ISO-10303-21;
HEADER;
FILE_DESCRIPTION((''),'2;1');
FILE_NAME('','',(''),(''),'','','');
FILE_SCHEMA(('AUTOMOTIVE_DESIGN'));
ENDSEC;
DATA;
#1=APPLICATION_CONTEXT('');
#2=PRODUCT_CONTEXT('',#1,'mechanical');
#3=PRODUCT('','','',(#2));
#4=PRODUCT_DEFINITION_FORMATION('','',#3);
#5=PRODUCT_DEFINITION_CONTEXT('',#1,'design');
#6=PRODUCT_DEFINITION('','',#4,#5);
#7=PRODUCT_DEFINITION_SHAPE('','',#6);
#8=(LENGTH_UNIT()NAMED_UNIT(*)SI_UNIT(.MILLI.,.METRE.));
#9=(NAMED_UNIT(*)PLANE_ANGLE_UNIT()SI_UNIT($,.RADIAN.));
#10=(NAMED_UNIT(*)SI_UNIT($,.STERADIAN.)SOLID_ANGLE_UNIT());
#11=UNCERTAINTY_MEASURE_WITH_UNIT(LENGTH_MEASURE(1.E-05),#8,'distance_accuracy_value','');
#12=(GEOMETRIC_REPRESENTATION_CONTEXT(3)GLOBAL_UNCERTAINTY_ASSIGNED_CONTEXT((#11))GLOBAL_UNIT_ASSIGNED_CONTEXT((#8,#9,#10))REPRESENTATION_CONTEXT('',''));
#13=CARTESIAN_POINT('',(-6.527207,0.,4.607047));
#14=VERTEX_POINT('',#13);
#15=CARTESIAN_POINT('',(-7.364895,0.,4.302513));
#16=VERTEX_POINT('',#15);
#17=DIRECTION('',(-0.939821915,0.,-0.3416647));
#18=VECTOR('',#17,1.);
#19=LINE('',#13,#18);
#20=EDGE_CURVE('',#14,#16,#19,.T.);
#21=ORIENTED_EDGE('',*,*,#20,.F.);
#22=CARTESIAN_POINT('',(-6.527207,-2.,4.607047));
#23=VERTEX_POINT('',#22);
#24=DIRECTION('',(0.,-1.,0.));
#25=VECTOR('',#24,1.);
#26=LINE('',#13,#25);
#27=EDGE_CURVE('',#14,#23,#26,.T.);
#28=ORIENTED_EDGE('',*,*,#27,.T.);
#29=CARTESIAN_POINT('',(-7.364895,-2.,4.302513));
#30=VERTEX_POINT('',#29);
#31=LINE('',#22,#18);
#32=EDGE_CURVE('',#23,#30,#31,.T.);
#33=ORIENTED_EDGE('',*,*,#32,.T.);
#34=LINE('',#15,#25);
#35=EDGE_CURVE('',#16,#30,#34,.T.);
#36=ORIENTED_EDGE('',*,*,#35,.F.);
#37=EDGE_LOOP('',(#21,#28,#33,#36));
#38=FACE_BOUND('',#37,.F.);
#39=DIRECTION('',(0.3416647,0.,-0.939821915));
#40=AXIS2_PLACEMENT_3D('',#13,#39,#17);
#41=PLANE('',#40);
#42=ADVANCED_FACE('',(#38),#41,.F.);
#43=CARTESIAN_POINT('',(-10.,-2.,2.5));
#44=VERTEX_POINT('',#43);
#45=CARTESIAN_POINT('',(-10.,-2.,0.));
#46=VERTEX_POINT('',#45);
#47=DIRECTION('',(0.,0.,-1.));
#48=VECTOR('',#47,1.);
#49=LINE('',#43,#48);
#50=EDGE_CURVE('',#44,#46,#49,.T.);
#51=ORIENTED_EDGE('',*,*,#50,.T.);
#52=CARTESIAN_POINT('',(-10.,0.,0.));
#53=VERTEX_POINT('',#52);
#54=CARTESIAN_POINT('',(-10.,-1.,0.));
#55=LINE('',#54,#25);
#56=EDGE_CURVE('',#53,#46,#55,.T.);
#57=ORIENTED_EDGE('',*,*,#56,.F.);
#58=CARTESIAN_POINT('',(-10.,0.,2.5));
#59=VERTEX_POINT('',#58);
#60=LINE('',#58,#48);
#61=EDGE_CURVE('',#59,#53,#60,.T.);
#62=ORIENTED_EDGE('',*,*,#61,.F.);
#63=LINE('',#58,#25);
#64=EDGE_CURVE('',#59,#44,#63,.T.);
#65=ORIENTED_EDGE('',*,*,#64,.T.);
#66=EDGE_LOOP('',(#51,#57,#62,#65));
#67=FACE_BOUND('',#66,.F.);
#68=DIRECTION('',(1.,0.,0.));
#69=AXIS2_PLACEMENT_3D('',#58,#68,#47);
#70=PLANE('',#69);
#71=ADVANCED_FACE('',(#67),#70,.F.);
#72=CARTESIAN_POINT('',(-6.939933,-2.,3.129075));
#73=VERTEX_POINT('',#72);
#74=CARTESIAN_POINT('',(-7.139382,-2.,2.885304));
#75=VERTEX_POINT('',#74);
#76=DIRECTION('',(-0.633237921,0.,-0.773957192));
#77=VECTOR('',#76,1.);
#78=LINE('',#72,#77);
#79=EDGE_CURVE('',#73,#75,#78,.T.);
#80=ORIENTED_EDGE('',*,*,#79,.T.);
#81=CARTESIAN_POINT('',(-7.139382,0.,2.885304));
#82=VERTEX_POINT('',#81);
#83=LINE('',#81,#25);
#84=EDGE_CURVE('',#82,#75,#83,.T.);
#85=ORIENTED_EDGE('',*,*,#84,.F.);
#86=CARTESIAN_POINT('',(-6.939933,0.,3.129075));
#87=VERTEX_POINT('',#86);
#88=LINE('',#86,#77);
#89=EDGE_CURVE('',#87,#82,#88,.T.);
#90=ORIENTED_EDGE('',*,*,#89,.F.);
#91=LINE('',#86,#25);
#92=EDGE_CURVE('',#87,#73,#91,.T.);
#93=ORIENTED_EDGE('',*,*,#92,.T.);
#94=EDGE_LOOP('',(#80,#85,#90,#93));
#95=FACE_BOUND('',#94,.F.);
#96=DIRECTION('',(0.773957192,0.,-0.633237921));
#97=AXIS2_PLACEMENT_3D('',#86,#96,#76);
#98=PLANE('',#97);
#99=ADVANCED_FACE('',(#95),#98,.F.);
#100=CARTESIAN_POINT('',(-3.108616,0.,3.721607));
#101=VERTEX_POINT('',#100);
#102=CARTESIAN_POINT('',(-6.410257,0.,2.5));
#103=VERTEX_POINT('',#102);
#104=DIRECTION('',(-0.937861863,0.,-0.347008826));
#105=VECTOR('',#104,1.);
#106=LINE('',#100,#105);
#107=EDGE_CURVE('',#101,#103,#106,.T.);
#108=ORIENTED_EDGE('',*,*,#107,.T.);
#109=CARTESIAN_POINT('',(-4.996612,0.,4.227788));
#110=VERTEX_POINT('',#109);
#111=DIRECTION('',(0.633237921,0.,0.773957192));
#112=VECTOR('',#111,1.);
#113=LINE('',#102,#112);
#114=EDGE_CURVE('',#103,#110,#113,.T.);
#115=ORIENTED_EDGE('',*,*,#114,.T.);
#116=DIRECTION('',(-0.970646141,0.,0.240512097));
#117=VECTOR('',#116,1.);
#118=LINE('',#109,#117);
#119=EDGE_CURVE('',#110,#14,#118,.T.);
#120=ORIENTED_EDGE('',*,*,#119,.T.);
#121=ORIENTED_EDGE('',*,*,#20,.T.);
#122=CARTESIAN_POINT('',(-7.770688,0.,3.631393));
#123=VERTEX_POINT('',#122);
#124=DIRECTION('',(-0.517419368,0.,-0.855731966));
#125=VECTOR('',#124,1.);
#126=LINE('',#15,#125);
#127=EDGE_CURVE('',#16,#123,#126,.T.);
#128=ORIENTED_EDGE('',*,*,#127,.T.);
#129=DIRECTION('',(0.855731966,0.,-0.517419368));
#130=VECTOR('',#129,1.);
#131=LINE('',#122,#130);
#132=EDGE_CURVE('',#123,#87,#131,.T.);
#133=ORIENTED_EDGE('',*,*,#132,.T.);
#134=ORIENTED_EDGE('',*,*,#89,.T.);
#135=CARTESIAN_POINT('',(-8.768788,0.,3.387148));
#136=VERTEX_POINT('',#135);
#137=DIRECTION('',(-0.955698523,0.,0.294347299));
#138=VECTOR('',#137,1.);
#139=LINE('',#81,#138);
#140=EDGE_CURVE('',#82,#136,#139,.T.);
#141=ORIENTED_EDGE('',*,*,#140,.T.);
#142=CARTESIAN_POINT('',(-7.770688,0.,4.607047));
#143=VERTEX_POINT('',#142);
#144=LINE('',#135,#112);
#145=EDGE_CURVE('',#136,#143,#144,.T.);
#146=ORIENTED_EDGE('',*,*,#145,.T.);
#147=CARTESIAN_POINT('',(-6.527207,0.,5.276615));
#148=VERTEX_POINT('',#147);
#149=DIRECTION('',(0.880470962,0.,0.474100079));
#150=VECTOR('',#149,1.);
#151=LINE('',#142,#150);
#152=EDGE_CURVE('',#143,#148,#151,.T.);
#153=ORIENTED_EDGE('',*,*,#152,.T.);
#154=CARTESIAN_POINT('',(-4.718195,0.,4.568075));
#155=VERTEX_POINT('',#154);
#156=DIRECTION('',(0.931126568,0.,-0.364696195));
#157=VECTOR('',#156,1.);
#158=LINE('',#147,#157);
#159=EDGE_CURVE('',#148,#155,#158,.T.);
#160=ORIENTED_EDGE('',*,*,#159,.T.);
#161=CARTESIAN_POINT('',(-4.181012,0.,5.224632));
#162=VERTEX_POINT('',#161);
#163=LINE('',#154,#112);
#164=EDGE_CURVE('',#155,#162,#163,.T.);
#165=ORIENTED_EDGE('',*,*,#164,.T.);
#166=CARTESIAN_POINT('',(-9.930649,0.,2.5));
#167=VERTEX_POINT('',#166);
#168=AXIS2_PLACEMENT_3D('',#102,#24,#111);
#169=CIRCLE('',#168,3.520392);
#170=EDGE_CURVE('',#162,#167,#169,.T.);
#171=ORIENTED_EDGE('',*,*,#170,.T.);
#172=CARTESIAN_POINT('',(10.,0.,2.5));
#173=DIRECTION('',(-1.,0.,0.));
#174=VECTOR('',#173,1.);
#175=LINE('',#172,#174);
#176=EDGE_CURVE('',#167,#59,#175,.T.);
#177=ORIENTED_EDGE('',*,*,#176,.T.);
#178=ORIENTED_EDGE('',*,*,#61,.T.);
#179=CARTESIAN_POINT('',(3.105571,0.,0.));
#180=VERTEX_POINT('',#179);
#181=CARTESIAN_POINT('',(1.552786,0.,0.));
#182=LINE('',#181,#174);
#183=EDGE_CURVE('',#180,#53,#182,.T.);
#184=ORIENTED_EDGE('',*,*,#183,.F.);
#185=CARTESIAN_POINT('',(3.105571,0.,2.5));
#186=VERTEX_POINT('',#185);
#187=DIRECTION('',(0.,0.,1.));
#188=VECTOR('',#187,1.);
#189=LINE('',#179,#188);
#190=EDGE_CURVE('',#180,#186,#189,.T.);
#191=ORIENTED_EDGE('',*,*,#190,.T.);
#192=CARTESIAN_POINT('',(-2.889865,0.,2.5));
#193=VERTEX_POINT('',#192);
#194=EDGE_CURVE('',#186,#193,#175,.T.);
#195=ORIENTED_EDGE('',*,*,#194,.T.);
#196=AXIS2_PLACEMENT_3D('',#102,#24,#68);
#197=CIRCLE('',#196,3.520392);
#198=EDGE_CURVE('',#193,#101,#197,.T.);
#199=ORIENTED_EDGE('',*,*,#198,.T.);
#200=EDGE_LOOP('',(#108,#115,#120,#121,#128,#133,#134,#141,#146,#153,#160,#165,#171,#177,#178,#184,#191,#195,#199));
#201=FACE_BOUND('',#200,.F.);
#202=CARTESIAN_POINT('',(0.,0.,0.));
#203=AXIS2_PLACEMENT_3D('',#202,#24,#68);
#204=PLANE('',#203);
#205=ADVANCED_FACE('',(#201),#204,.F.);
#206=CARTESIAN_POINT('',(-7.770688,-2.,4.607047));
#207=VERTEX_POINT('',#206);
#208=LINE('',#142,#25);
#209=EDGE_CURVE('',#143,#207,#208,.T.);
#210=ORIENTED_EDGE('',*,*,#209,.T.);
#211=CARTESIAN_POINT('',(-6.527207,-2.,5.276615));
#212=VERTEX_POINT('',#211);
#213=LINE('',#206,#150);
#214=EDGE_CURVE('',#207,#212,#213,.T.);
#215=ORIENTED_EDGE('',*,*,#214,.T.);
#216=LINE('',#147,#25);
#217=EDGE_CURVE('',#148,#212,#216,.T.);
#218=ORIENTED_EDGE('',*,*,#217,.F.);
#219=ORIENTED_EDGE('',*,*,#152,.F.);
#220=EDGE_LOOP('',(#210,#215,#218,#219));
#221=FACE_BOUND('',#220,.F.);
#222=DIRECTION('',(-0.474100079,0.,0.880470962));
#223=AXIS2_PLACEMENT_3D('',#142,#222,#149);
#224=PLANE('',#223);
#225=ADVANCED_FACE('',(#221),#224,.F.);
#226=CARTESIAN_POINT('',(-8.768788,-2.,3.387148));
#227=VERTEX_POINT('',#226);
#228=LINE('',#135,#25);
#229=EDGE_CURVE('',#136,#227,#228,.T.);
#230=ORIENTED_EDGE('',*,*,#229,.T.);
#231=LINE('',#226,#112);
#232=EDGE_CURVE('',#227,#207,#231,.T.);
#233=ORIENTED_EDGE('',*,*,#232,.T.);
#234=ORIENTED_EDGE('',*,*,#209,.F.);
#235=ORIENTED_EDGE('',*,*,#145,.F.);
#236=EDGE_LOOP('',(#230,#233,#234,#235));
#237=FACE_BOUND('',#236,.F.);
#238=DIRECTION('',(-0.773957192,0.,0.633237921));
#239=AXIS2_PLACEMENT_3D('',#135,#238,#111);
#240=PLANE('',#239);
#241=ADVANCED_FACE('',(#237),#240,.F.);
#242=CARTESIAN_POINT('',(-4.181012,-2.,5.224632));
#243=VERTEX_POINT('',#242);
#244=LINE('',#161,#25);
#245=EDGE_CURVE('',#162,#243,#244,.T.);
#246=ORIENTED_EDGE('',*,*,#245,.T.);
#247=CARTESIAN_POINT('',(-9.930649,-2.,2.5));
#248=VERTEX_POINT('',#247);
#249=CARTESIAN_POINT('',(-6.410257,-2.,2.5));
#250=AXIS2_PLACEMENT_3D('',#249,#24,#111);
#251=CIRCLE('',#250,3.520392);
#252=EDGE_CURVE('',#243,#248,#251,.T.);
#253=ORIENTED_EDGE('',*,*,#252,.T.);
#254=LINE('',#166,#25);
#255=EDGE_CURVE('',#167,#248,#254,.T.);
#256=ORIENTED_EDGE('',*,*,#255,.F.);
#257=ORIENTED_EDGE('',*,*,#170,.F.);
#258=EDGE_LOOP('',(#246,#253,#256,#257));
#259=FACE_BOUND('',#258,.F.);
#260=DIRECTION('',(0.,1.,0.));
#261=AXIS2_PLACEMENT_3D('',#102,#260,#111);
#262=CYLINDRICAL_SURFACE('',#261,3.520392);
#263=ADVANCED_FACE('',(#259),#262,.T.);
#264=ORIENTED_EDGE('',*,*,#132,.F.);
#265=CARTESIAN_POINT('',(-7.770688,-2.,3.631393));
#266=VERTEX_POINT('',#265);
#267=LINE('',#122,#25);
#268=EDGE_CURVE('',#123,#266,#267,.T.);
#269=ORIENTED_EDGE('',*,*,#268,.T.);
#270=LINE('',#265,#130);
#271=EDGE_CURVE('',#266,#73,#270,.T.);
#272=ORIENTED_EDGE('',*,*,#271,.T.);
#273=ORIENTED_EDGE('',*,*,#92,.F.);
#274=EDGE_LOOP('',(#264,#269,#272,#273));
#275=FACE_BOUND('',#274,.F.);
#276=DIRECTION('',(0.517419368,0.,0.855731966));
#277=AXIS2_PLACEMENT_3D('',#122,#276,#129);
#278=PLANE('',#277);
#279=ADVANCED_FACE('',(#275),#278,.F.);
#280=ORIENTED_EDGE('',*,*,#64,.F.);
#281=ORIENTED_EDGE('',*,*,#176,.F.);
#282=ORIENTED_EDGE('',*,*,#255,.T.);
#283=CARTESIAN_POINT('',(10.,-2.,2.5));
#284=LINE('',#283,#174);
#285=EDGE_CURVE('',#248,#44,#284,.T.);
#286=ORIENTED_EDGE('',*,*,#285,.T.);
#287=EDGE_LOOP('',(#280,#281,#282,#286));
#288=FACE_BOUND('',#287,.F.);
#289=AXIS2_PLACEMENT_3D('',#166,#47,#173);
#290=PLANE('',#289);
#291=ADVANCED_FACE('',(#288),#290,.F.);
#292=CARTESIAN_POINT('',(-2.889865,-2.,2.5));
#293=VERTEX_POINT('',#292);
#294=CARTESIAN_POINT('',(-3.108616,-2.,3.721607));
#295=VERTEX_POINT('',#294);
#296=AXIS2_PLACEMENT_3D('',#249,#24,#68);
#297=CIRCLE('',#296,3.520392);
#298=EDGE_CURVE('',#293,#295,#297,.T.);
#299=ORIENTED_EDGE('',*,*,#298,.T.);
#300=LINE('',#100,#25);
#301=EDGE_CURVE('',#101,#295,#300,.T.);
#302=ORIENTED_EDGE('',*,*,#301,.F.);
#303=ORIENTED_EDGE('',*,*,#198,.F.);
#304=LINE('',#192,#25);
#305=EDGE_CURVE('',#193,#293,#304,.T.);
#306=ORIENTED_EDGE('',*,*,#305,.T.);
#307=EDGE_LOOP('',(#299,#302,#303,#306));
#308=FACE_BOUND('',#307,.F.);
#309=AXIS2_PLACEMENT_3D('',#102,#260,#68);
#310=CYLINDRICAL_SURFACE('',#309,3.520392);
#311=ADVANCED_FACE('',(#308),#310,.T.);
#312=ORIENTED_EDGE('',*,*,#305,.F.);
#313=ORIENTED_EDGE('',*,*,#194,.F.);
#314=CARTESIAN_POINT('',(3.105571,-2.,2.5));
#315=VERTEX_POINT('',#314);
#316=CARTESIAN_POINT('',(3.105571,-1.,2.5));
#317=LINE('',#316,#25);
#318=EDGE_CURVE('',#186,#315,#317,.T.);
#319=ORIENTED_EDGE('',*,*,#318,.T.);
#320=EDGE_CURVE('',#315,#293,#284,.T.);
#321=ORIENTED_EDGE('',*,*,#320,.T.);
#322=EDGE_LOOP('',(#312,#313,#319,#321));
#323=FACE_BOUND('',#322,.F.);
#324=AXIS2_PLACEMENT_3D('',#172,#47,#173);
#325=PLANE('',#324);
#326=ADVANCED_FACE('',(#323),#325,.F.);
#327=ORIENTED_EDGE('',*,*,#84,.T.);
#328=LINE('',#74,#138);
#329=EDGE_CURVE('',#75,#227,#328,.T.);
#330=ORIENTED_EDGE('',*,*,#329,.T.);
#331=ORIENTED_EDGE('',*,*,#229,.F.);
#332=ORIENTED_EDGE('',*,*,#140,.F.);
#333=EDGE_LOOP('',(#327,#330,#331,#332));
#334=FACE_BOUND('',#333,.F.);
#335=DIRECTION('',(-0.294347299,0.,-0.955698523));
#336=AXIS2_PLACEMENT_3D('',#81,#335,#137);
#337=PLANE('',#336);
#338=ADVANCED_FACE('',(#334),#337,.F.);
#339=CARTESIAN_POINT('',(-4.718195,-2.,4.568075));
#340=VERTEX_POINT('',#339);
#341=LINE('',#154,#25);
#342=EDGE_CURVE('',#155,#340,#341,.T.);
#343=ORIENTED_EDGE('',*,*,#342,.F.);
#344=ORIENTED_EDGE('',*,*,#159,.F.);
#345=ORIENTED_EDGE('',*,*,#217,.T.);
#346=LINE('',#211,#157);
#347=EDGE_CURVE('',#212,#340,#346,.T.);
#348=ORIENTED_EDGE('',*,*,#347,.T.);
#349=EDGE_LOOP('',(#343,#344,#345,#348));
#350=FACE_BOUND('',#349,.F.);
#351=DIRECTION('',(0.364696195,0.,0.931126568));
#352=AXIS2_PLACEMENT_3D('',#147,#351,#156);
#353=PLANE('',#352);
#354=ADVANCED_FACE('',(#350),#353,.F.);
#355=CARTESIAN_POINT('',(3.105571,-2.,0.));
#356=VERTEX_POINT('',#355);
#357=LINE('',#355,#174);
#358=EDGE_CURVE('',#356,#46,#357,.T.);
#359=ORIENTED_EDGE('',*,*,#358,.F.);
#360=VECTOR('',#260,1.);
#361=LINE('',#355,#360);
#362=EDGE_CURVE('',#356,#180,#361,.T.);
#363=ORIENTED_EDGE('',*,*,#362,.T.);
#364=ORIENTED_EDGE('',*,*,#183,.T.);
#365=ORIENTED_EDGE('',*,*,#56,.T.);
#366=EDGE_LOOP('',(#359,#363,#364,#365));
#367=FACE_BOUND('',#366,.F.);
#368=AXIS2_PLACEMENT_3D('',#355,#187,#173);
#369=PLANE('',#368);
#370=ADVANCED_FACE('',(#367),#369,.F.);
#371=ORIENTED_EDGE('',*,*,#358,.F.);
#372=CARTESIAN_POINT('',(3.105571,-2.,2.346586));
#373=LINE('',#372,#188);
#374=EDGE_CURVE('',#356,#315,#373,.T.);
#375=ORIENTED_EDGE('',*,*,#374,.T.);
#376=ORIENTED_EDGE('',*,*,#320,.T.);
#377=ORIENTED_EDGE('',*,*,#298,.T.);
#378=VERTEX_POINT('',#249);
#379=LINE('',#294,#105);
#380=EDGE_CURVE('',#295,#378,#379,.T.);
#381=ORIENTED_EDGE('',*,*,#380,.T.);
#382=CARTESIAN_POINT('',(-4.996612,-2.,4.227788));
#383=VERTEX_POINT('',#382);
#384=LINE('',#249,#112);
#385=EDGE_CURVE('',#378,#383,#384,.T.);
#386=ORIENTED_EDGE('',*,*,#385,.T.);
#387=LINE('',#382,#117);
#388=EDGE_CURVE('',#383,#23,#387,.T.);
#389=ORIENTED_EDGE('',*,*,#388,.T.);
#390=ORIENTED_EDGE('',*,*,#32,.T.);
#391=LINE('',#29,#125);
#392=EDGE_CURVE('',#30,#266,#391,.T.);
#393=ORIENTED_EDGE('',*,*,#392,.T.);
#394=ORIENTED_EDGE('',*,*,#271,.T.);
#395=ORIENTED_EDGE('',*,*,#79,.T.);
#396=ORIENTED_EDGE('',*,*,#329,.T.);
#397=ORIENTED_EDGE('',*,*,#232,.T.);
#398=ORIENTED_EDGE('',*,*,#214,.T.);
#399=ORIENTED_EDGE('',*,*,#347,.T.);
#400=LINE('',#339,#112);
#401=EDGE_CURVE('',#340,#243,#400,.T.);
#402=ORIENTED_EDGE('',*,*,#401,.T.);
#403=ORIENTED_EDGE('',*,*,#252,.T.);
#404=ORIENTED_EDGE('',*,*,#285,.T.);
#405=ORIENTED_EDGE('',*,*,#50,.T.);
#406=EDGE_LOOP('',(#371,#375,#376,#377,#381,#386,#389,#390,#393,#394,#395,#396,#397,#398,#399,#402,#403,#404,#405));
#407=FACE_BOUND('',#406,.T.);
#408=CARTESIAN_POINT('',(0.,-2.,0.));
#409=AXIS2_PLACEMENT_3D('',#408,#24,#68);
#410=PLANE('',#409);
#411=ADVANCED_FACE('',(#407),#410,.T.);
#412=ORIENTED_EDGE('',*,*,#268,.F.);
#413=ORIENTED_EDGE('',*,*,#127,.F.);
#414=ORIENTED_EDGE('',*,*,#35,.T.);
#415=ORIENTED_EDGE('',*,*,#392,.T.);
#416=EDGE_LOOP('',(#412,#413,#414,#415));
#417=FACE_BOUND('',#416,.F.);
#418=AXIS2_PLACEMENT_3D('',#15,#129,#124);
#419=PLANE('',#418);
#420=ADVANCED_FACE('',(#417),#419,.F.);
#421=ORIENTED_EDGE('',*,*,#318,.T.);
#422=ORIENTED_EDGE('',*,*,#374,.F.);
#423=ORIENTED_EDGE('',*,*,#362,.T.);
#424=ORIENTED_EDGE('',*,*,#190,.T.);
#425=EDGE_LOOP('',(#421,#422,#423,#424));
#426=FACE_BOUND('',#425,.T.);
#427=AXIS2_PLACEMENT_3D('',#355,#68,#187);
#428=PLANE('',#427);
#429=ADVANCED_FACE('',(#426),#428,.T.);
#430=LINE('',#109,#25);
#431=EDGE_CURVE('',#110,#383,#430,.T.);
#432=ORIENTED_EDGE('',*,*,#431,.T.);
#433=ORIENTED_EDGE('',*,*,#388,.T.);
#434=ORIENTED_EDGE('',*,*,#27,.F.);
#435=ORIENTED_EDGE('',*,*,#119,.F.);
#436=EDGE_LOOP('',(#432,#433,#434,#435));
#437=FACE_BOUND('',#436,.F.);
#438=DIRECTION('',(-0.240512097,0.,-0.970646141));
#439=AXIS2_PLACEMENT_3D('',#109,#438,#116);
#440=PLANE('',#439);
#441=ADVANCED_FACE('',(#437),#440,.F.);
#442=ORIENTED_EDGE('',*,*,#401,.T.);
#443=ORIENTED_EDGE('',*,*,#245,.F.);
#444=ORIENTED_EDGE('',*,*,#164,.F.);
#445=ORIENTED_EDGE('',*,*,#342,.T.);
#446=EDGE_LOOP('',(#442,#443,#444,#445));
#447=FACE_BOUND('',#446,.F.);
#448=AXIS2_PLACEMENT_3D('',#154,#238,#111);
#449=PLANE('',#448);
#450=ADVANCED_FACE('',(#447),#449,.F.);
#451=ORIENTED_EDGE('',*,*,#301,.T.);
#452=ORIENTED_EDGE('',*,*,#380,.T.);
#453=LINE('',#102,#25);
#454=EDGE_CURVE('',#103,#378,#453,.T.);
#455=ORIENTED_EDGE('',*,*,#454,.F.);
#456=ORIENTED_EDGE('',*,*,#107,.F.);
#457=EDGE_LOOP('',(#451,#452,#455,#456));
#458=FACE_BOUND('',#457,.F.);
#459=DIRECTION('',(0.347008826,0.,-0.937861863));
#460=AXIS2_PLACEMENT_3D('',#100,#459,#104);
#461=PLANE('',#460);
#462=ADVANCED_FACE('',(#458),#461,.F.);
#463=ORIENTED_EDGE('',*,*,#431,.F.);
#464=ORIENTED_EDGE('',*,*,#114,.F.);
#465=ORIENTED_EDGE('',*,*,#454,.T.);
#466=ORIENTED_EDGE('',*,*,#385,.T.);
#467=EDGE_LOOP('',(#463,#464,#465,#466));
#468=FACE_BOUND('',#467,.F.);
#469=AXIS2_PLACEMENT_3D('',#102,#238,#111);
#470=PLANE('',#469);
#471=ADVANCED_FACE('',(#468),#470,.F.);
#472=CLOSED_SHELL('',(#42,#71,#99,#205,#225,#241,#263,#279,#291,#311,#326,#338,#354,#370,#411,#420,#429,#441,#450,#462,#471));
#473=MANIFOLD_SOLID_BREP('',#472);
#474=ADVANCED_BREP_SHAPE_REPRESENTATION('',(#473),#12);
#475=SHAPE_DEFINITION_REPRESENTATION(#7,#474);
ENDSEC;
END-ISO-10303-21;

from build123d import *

# Parameters (mm, degrees)
F1_DEPTH = 2
F2_W     = 8.5403220728
F2_H     = 4.6931710094
F2_W_2   = 0.6901277229
F2_H_2   = 1.2939884327
F2_W_3   = 6.8944285065
F2_H_3   = 1.7584205465
F3_DEPTH = 25


with BuildPart() as f1:
    # F0 (on Front) → F1 (new body)
    with BuildSketch(Plane.XZ):
        Polygon((-9.930648845, 2.5), (-10, 2.5), (-10, -2.5), (10, -2.5), (10, 2.5), (-2.8898654856, 2.5), (-6.4102571653, 2.5), align=None)
        with BuildLine():
            ThreePointArc((-4.181011657, 5.22463246), (-7.9177949325, 5.6812713589), (-9.930648845, 2.5))
            Line((-9.930648845, 2.5), (-6.4102571653, 2.5))
            Line((-6.4102571653, 2.5), (-4.9966118794, 4.2277880872))
            Line((-4.9966118794, 4.2277880872), (-6.5272068605, 4.60704742))
            Line((-6.5272068605, 4.60704742), (-7.3648947571, 4.3025127212))
            Line((-7.3648947571, 4.3025127212), (-7.770688273, 3.6313927267))
            Line((-7.770688273, 3.6313927267), (-6.9399328939, 3.1290754826))
            Line((-6.9399328939, 3.1290754826), (-7.1393824182, 2.8853039257))
            Line((-7.1393824182, 2.8853039257), (-8.7687884615, 3.38714761))
            Line((-8.7687884615, 3.38714761), (-7.770688273, 4.60704742))
            Line((-7.770688273, 4.60704742), (-6.5272068605, 5.2766148001))
            Line((-6.5272068605, 5.2766148001), (-4.7181948396, 4.5680754631))
            Line((-4.7181948396, 4.5680754631), (-4.181011657, 5.22463246))
        make_face()
        with BuildLine():
            Line((-3.1086160646, 3.721606983), (-6.4102571653, 2.5))
            Line((-6.4102571653, 2.5), (-2.8898654856, 2.5))
            ThreePointArc((-2.8898654856, 2.5), (-2.9449846335, 3.1205190241), (-3.1086160646, 3.721606983))
        make_face()
    extrude(amount=F1_DEPTH)

    # F2 (on face) → F3 (cut)
    with BuildSketch(Plane.XZ.offset(2)):
        Polygon((3.1055714935, 0), (-13.5437427089, 0), (-13.5437427089, -4.5372783206), (-12.422285974, -4.5372783206), (-12.422285974, -0.7415794535), (3.1055714935, -0.7415794535), align=None)
        with Locations((7.3757325299, 2.3465855047)):
            Rectangle(F2_W, F2_H)
        Polygon((11.6458935663, 0), (3.1055714935, 0), (3.1055714935, -0.7415794535), (10.9557658434, -0.7415794535), (10.9557658434, -3.2432898879), (11.6458935663, -3.2432898879), align=None)
        Polygon((3.1055714935, -3.2432898879), (3.1055714935, -0.7415794535), (-12.422285974, -0.7415794535), (-12.422285974, -4.5372783206), (10.9557658434, -4.5372783206), (10.9557658434, -3.2432898879), align=None)
        with Locations((11.3008297049, -3.8902841043)):
            Rectangle(F2_W_2, F2_H_2)
        with Locations((6.5527857468, -1.6207897267)):
            Rectangle(F2_W_3, F2_H_3)
    extrude(amount=-F3_DEPTH, mode=Mode.SUBTRACT)


solid = f1.part
